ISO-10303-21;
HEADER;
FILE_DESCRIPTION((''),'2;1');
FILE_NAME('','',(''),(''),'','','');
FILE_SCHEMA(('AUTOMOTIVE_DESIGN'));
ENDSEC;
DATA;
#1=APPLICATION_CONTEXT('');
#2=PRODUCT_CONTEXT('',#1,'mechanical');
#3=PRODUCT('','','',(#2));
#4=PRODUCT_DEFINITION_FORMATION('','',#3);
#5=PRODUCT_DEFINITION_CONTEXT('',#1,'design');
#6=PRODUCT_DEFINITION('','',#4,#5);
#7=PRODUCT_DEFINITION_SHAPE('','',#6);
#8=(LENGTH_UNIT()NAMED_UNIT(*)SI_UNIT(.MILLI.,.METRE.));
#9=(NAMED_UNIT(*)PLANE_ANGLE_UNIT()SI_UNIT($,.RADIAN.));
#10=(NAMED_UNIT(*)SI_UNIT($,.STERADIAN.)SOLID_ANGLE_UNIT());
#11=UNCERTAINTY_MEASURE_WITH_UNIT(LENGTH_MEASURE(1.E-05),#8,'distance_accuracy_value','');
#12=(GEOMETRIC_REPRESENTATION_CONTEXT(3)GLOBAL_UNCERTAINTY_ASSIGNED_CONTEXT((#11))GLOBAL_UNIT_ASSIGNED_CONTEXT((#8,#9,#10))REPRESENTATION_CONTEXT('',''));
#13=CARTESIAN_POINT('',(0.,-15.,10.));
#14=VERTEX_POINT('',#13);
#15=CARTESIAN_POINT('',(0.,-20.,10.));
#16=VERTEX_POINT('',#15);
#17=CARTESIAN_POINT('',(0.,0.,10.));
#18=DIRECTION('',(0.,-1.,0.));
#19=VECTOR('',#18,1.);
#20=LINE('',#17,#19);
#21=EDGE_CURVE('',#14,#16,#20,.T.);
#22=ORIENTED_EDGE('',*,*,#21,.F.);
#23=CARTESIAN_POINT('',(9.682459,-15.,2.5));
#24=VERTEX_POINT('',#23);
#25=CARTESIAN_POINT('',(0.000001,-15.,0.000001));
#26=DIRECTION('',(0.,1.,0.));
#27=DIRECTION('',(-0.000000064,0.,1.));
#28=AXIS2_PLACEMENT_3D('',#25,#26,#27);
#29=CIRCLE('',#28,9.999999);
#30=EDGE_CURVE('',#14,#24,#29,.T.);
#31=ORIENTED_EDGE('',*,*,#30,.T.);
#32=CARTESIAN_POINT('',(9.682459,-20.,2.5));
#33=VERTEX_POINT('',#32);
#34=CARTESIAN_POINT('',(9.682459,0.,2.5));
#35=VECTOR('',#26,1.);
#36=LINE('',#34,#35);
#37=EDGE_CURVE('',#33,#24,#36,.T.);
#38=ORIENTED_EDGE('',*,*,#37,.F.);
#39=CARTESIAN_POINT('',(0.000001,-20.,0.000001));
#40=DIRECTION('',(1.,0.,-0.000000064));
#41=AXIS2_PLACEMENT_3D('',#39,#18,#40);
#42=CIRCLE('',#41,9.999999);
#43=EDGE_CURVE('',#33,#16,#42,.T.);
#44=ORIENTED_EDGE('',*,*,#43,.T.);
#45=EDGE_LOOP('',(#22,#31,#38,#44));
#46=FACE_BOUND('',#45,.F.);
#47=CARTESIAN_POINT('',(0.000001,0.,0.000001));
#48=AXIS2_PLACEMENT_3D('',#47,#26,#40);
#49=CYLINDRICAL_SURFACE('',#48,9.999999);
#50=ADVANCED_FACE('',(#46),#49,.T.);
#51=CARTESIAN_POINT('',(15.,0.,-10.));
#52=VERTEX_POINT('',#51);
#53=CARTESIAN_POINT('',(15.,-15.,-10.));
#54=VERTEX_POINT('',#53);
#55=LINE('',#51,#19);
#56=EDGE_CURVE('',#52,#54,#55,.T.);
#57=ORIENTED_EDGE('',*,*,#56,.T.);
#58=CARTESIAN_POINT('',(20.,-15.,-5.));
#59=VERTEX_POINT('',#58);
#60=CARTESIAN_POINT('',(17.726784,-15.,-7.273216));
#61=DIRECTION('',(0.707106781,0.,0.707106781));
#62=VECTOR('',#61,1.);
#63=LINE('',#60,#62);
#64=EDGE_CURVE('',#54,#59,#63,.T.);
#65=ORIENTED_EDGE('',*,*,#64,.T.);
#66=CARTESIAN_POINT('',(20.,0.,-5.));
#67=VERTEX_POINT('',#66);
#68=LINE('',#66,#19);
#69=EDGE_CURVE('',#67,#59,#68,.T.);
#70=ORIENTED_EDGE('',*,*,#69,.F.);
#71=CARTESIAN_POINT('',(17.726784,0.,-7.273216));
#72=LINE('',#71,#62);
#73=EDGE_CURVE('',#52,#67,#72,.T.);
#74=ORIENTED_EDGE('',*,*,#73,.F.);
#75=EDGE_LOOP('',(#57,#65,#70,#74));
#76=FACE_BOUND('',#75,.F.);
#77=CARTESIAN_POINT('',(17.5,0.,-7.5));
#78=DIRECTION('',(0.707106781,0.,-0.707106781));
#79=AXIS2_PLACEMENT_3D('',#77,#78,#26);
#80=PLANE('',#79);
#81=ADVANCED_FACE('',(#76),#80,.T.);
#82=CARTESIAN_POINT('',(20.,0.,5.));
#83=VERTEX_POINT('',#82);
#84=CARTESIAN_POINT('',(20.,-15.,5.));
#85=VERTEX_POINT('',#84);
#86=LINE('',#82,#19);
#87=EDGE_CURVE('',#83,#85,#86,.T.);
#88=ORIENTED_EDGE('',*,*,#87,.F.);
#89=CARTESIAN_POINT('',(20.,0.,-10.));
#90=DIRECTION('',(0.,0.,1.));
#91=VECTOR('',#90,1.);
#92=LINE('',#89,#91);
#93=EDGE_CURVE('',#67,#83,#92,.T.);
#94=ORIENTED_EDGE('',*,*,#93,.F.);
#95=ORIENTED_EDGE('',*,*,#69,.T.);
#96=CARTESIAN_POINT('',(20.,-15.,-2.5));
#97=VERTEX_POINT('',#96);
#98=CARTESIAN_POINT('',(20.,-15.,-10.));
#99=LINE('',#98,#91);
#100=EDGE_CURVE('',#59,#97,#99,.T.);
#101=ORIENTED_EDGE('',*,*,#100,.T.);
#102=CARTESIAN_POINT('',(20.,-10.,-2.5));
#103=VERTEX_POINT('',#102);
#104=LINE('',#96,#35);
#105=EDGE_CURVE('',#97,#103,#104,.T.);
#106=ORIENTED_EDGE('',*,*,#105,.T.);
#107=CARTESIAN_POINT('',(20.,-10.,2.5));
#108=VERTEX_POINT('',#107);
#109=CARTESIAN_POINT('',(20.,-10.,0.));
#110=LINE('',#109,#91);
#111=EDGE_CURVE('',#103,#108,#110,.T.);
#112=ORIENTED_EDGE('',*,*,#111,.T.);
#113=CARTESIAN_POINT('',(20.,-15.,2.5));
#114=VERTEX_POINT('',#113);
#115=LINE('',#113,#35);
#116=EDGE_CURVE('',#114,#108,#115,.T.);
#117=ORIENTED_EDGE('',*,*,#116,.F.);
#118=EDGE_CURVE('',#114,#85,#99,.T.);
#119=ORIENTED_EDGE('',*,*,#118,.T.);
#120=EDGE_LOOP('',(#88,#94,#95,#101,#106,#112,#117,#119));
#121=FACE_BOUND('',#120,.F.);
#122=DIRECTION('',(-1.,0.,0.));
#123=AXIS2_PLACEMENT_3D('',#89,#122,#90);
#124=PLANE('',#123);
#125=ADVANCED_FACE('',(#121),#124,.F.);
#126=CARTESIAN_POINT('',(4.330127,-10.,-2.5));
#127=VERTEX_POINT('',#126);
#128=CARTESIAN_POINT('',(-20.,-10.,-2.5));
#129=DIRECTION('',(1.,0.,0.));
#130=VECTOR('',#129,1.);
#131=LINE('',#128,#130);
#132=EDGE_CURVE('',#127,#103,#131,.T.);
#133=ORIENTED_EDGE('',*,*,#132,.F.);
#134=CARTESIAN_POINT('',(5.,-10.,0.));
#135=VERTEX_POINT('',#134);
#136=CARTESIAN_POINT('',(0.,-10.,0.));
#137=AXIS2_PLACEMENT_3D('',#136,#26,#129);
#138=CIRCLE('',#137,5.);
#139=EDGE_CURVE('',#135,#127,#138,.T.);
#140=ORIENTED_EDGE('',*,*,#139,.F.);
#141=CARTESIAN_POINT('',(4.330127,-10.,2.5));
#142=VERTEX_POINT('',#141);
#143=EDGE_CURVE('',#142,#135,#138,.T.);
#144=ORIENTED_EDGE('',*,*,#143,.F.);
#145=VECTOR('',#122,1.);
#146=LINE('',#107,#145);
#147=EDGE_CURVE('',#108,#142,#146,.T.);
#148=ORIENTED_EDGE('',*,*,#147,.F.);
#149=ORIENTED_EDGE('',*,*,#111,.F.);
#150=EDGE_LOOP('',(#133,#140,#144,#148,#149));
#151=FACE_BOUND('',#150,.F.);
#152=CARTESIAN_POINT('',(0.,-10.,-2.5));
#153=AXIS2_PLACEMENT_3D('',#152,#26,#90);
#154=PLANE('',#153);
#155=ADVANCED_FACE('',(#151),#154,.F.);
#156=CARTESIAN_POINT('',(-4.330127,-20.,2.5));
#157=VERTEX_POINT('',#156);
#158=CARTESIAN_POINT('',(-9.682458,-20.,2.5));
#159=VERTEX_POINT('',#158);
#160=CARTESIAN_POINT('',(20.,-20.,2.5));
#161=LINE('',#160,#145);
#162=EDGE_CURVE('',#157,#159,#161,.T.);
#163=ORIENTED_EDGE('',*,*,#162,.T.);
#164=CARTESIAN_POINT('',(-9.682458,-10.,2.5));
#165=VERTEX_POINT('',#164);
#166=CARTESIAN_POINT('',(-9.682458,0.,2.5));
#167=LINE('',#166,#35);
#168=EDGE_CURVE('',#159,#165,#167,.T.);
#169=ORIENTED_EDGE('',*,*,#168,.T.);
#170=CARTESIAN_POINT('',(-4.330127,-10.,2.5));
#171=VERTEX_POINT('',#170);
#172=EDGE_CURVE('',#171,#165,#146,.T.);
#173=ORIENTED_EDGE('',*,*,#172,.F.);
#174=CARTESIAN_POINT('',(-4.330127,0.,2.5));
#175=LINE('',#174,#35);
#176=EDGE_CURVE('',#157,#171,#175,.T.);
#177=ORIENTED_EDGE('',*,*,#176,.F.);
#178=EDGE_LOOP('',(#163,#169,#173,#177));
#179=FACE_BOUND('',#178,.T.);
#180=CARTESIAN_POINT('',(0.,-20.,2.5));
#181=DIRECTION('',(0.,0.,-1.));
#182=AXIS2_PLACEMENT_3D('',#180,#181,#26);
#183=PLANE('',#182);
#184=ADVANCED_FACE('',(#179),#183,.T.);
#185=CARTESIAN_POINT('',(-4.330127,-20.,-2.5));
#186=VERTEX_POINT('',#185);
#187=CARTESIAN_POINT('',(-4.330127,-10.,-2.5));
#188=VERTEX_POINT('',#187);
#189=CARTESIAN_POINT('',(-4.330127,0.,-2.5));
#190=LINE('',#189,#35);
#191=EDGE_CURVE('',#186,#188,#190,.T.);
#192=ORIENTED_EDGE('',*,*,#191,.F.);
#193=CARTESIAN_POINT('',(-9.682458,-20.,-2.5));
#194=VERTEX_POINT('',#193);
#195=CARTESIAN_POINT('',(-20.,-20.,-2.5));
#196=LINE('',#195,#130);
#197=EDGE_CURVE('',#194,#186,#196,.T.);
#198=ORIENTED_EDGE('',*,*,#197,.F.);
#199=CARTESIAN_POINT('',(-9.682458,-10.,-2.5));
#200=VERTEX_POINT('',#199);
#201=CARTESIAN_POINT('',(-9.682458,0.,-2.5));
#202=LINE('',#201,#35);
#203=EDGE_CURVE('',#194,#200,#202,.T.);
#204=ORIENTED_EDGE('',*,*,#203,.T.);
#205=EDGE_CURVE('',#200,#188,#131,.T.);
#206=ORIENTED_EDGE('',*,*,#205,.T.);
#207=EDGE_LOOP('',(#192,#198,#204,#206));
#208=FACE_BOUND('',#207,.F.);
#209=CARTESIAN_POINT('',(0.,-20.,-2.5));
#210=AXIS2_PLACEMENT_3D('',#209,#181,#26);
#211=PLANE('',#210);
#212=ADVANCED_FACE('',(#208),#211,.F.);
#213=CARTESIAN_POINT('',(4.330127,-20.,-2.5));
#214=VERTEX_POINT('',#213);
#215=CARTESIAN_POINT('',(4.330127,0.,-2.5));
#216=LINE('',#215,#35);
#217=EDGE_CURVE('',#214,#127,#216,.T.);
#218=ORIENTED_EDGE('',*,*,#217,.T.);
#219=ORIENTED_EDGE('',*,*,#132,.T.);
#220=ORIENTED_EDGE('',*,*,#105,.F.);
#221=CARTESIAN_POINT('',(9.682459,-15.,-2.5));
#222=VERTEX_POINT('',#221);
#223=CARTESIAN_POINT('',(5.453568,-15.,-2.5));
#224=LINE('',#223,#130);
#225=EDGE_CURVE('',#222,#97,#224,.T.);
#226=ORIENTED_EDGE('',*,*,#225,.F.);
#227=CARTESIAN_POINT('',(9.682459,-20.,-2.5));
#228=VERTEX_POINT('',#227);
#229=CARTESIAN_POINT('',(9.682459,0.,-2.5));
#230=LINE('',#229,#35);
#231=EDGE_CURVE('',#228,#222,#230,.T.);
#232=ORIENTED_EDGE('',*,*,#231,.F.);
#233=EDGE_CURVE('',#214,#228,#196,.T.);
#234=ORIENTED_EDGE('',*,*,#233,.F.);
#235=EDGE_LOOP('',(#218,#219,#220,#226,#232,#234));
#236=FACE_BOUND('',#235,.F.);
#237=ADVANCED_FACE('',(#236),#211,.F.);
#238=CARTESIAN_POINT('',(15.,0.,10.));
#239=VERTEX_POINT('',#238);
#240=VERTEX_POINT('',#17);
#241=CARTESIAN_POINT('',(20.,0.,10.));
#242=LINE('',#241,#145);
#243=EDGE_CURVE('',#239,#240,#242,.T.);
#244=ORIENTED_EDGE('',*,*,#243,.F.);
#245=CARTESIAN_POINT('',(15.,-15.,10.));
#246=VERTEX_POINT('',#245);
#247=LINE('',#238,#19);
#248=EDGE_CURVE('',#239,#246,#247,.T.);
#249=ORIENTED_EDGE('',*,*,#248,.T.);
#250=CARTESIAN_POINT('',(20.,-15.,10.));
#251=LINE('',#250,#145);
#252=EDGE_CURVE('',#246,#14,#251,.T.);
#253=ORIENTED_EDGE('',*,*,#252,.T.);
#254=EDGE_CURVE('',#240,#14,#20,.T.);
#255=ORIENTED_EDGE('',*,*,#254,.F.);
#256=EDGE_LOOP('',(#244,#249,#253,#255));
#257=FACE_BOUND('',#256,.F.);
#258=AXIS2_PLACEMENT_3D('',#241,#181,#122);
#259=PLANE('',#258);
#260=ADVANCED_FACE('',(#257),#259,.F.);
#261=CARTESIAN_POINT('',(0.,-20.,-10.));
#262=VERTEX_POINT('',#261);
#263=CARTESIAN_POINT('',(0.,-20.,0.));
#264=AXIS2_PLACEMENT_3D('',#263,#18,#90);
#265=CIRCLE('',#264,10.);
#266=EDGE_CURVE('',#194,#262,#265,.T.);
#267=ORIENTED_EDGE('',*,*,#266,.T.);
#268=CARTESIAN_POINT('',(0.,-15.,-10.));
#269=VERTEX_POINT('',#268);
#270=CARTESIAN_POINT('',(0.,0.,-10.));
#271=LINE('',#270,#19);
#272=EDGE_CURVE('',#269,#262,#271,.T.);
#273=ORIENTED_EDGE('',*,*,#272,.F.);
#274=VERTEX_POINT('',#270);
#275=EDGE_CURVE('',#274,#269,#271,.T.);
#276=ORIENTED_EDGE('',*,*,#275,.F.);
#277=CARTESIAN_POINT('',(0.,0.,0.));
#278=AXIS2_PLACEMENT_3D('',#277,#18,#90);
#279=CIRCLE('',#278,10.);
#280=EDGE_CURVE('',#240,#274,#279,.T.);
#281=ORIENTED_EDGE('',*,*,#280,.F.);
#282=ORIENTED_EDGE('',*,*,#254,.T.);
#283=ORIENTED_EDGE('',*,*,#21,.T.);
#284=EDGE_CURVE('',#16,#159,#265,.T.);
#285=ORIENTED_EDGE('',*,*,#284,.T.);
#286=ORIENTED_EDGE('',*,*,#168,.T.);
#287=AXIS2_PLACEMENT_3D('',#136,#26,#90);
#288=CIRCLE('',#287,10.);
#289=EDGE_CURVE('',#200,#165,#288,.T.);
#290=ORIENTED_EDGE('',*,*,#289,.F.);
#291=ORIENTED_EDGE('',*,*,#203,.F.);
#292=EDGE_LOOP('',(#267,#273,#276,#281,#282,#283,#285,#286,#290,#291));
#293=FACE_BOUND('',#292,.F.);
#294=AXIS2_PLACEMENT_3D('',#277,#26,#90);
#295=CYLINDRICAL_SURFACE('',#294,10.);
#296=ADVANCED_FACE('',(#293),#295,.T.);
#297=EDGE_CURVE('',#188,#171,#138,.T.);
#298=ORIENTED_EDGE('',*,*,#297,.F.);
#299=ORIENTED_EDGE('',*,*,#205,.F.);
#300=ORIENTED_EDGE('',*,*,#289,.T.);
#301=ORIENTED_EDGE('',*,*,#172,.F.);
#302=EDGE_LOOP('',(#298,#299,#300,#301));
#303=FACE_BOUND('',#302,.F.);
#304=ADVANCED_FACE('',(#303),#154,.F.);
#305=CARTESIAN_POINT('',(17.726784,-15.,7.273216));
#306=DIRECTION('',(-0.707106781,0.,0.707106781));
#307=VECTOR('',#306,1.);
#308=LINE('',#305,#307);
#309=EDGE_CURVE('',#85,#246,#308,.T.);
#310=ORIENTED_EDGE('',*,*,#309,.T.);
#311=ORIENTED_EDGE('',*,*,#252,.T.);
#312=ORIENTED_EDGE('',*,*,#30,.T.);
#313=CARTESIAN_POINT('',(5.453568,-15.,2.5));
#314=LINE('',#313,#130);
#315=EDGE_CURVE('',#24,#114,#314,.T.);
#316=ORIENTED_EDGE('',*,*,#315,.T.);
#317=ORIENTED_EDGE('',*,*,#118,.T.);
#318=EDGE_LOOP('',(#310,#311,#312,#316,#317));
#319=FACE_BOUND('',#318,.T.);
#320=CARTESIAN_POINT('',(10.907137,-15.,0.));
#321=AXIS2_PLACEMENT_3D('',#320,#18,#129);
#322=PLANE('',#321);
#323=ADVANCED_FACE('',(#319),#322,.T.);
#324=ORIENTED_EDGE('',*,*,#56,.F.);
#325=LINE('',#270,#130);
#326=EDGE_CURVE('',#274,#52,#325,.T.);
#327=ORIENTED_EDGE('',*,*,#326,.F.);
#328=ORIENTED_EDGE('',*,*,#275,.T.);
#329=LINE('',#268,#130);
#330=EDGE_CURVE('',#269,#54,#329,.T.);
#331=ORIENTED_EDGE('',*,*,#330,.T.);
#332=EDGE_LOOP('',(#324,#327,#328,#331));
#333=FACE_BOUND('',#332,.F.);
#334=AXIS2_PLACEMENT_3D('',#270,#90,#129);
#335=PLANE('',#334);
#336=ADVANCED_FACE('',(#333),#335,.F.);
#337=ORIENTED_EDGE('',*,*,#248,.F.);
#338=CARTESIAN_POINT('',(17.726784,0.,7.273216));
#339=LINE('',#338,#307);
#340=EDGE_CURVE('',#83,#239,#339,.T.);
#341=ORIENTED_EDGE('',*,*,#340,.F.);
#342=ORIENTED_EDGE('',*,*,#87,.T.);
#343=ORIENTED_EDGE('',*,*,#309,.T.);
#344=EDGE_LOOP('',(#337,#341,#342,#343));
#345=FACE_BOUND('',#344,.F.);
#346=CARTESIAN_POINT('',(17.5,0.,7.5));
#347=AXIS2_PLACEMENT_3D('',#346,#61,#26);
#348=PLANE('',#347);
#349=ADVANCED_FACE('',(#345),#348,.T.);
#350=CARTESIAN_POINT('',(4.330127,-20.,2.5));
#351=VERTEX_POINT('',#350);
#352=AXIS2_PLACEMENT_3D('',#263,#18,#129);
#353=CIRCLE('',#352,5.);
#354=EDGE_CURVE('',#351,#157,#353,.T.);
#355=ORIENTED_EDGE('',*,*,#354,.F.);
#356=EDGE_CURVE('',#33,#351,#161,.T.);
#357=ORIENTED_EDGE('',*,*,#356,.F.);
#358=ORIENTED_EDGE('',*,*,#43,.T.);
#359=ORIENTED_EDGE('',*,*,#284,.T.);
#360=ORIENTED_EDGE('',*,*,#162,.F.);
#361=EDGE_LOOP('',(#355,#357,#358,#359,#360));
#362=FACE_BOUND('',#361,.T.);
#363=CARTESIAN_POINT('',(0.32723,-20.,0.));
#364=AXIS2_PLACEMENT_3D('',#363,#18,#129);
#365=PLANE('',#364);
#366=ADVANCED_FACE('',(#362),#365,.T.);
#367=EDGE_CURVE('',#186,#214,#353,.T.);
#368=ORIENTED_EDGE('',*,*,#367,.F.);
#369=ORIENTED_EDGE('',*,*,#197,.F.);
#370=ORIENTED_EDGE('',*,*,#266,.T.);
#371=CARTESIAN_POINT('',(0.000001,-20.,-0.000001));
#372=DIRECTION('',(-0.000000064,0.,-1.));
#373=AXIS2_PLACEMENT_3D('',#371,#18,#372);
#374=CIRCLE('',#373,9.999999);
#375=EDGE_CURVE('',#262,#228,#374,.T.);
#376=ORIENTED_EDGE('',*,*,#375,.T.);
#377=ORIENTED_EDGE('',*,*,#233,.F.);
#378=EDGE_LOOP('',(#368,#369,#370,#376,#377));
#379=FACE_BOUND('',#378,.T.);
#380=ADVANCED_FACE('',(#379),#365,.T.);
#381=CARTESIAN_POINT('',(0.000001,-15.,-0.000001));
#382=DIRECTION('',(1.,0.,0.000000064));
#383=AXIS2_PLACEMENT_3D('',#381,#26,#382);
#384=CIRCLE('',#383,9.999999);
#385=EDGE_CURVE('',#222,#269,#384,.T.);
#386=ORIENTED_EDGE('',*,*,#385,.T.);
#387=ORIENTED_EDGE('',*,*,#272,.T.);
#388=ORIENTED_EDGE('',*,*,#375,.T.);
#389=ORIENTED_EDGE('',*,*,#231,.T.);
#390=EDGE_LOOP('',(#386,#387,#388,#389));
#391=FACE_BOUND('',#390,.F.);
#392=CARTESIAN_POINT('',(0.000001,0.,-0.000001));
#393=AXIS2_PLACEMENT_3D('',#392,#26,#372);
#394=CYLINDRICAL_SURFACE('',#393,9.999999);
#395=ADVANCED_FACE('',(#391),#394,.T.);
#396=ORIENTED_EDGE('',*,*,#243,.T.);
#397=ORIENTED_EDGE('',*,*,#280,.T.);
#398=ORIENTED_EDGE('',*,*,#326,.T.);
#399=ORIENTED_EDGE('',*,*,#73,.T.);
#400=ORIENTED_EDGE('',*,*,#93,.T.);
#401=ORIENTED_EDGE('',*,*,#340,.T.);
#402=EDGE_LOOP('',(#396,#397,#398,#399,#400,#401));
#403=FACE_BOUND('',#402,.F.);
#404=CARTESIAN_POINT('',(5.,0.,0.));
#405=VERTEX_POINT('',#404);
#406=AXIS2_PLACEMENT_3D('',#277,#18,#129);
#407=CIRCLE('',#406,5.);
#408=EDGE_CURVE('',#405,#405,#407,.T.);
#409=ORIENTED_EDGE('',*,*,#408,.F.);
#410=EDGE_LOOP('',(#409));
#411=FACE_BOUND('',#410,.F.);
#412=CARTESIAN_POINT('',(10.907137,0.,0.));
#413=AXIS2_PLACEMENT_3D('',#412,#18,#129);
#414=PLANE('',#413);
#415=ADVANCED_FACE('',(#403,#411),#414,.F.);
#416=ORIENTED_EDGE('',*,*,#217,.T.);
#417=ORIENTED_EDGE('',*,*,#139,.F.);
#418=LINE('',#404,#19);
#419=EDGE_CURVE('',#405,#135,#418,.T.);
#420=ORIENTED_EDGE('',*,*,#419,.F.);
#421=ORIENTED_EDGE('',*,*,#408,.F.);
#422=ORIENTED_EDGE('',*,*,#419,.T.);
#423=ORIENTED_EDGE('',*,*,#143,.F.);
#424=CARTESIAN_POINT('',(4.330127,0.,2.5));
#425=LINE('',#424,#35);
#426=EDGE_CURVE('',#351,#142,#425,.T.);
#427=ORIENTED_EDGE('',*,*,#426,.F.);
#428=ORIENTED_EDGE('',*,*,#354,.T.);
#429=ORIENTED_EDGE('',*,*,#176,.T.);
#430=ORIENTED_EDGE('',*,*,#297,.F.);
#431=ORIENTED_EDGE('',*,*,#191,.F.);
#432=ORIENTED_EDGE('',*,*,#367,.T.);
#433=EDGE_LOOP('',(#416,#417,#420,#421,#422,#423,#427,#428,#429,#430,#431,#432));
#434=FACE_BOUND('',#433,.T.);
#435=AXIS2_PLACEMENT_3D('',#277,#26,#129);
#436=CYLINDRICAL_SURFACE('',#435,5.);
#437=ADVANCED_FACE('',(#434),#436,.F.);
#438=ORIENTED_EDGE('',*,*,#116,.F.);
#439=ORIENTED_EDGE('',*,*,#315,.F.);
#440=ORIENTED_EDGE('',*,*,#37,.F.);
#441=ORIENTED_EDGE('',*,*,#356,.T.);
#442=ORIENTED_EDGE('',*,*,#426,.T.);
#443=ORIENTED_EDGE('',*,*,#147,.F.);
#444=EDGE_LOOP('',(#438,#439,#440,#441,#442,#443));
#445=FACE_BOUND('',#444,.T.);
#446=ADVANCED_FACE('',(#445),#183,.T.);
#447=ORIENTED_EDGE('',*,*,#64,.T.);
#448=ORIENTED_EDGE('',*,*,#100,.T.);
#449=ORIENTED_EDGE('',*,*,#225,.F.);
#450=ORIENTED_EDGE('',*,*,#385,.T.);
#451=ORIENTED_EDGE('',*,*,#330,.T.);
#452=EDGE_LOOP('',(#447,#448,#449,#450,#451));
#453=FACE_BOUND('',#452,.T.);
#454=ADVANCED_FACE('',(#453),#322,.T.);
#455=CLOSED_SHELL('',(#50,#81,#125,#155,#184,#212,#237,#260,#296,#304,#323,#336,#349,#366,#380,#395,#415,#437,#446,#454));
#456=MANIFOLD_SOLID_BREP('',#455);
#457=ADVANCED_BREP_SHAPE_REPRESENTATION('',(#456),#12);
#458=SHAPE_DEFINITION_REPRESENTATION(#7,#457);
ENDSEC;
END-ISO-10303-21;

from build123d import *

# Parameters (mm, degrees)
F0_R     = 5
F1_DEPTH = 20
F2_DEPTH = 15
F3_SIZE  = 5
F4_W     = 10
F4_H     = 5
F5_DEPTH = 20


with BuildPart() as f1:
    # F0 (on Front) → F1 (new body)
    with BuildSketch(Plane.XZ):
        with BuildLine():
            ThreePointArc((0, -10), (7.071068, -7.071068), (10, 0))
            ThreePointArc((10, 0), (7.071068, 7.071068), (0, 10))
            ThreePointArc((0, 10), (-10, 0), (0, -10))
        make_face()
        Circle(F0_R, mode=Mode.SUBTRACT)
    extrude(amount=F1_DEPTH)

    # F0 (on Front) → F2 (join)
    with BuildSketch(Plane.XZ):
        with BuildLine():
            ThreePointArc((0, 10), (7.071068, 7.071068), (10, 0))
            ThreePointArc((10, 0), (7.071068, -7.071068), (0, -10))
            Line((0, -10), (20, -10))
            Line((20, -10), (20, 10))
            Line((20, 10), (0, 10))
        make_face()
    extrude(amount=F2_DEPTH)

    # F3
    f3_edges = [f1.edges().sort_by_distance(p)[0] for p in [
        (20, -7.5, 10),
        (20, -7.5, -10),
    ]]
    chamfer(f3_edges, length=F3_SIZE)

    # F4 (on Right) → F5 (cut, symmetric)
    with BuildSketch(Plane.YZ):
        with Locations((-15, 0)):
            Rectangle(F4_W, F4_H)
    extrude(amount=F5_DEPTH, both=True, mode=Mode.SUBTRACT)


solid = f1.part
